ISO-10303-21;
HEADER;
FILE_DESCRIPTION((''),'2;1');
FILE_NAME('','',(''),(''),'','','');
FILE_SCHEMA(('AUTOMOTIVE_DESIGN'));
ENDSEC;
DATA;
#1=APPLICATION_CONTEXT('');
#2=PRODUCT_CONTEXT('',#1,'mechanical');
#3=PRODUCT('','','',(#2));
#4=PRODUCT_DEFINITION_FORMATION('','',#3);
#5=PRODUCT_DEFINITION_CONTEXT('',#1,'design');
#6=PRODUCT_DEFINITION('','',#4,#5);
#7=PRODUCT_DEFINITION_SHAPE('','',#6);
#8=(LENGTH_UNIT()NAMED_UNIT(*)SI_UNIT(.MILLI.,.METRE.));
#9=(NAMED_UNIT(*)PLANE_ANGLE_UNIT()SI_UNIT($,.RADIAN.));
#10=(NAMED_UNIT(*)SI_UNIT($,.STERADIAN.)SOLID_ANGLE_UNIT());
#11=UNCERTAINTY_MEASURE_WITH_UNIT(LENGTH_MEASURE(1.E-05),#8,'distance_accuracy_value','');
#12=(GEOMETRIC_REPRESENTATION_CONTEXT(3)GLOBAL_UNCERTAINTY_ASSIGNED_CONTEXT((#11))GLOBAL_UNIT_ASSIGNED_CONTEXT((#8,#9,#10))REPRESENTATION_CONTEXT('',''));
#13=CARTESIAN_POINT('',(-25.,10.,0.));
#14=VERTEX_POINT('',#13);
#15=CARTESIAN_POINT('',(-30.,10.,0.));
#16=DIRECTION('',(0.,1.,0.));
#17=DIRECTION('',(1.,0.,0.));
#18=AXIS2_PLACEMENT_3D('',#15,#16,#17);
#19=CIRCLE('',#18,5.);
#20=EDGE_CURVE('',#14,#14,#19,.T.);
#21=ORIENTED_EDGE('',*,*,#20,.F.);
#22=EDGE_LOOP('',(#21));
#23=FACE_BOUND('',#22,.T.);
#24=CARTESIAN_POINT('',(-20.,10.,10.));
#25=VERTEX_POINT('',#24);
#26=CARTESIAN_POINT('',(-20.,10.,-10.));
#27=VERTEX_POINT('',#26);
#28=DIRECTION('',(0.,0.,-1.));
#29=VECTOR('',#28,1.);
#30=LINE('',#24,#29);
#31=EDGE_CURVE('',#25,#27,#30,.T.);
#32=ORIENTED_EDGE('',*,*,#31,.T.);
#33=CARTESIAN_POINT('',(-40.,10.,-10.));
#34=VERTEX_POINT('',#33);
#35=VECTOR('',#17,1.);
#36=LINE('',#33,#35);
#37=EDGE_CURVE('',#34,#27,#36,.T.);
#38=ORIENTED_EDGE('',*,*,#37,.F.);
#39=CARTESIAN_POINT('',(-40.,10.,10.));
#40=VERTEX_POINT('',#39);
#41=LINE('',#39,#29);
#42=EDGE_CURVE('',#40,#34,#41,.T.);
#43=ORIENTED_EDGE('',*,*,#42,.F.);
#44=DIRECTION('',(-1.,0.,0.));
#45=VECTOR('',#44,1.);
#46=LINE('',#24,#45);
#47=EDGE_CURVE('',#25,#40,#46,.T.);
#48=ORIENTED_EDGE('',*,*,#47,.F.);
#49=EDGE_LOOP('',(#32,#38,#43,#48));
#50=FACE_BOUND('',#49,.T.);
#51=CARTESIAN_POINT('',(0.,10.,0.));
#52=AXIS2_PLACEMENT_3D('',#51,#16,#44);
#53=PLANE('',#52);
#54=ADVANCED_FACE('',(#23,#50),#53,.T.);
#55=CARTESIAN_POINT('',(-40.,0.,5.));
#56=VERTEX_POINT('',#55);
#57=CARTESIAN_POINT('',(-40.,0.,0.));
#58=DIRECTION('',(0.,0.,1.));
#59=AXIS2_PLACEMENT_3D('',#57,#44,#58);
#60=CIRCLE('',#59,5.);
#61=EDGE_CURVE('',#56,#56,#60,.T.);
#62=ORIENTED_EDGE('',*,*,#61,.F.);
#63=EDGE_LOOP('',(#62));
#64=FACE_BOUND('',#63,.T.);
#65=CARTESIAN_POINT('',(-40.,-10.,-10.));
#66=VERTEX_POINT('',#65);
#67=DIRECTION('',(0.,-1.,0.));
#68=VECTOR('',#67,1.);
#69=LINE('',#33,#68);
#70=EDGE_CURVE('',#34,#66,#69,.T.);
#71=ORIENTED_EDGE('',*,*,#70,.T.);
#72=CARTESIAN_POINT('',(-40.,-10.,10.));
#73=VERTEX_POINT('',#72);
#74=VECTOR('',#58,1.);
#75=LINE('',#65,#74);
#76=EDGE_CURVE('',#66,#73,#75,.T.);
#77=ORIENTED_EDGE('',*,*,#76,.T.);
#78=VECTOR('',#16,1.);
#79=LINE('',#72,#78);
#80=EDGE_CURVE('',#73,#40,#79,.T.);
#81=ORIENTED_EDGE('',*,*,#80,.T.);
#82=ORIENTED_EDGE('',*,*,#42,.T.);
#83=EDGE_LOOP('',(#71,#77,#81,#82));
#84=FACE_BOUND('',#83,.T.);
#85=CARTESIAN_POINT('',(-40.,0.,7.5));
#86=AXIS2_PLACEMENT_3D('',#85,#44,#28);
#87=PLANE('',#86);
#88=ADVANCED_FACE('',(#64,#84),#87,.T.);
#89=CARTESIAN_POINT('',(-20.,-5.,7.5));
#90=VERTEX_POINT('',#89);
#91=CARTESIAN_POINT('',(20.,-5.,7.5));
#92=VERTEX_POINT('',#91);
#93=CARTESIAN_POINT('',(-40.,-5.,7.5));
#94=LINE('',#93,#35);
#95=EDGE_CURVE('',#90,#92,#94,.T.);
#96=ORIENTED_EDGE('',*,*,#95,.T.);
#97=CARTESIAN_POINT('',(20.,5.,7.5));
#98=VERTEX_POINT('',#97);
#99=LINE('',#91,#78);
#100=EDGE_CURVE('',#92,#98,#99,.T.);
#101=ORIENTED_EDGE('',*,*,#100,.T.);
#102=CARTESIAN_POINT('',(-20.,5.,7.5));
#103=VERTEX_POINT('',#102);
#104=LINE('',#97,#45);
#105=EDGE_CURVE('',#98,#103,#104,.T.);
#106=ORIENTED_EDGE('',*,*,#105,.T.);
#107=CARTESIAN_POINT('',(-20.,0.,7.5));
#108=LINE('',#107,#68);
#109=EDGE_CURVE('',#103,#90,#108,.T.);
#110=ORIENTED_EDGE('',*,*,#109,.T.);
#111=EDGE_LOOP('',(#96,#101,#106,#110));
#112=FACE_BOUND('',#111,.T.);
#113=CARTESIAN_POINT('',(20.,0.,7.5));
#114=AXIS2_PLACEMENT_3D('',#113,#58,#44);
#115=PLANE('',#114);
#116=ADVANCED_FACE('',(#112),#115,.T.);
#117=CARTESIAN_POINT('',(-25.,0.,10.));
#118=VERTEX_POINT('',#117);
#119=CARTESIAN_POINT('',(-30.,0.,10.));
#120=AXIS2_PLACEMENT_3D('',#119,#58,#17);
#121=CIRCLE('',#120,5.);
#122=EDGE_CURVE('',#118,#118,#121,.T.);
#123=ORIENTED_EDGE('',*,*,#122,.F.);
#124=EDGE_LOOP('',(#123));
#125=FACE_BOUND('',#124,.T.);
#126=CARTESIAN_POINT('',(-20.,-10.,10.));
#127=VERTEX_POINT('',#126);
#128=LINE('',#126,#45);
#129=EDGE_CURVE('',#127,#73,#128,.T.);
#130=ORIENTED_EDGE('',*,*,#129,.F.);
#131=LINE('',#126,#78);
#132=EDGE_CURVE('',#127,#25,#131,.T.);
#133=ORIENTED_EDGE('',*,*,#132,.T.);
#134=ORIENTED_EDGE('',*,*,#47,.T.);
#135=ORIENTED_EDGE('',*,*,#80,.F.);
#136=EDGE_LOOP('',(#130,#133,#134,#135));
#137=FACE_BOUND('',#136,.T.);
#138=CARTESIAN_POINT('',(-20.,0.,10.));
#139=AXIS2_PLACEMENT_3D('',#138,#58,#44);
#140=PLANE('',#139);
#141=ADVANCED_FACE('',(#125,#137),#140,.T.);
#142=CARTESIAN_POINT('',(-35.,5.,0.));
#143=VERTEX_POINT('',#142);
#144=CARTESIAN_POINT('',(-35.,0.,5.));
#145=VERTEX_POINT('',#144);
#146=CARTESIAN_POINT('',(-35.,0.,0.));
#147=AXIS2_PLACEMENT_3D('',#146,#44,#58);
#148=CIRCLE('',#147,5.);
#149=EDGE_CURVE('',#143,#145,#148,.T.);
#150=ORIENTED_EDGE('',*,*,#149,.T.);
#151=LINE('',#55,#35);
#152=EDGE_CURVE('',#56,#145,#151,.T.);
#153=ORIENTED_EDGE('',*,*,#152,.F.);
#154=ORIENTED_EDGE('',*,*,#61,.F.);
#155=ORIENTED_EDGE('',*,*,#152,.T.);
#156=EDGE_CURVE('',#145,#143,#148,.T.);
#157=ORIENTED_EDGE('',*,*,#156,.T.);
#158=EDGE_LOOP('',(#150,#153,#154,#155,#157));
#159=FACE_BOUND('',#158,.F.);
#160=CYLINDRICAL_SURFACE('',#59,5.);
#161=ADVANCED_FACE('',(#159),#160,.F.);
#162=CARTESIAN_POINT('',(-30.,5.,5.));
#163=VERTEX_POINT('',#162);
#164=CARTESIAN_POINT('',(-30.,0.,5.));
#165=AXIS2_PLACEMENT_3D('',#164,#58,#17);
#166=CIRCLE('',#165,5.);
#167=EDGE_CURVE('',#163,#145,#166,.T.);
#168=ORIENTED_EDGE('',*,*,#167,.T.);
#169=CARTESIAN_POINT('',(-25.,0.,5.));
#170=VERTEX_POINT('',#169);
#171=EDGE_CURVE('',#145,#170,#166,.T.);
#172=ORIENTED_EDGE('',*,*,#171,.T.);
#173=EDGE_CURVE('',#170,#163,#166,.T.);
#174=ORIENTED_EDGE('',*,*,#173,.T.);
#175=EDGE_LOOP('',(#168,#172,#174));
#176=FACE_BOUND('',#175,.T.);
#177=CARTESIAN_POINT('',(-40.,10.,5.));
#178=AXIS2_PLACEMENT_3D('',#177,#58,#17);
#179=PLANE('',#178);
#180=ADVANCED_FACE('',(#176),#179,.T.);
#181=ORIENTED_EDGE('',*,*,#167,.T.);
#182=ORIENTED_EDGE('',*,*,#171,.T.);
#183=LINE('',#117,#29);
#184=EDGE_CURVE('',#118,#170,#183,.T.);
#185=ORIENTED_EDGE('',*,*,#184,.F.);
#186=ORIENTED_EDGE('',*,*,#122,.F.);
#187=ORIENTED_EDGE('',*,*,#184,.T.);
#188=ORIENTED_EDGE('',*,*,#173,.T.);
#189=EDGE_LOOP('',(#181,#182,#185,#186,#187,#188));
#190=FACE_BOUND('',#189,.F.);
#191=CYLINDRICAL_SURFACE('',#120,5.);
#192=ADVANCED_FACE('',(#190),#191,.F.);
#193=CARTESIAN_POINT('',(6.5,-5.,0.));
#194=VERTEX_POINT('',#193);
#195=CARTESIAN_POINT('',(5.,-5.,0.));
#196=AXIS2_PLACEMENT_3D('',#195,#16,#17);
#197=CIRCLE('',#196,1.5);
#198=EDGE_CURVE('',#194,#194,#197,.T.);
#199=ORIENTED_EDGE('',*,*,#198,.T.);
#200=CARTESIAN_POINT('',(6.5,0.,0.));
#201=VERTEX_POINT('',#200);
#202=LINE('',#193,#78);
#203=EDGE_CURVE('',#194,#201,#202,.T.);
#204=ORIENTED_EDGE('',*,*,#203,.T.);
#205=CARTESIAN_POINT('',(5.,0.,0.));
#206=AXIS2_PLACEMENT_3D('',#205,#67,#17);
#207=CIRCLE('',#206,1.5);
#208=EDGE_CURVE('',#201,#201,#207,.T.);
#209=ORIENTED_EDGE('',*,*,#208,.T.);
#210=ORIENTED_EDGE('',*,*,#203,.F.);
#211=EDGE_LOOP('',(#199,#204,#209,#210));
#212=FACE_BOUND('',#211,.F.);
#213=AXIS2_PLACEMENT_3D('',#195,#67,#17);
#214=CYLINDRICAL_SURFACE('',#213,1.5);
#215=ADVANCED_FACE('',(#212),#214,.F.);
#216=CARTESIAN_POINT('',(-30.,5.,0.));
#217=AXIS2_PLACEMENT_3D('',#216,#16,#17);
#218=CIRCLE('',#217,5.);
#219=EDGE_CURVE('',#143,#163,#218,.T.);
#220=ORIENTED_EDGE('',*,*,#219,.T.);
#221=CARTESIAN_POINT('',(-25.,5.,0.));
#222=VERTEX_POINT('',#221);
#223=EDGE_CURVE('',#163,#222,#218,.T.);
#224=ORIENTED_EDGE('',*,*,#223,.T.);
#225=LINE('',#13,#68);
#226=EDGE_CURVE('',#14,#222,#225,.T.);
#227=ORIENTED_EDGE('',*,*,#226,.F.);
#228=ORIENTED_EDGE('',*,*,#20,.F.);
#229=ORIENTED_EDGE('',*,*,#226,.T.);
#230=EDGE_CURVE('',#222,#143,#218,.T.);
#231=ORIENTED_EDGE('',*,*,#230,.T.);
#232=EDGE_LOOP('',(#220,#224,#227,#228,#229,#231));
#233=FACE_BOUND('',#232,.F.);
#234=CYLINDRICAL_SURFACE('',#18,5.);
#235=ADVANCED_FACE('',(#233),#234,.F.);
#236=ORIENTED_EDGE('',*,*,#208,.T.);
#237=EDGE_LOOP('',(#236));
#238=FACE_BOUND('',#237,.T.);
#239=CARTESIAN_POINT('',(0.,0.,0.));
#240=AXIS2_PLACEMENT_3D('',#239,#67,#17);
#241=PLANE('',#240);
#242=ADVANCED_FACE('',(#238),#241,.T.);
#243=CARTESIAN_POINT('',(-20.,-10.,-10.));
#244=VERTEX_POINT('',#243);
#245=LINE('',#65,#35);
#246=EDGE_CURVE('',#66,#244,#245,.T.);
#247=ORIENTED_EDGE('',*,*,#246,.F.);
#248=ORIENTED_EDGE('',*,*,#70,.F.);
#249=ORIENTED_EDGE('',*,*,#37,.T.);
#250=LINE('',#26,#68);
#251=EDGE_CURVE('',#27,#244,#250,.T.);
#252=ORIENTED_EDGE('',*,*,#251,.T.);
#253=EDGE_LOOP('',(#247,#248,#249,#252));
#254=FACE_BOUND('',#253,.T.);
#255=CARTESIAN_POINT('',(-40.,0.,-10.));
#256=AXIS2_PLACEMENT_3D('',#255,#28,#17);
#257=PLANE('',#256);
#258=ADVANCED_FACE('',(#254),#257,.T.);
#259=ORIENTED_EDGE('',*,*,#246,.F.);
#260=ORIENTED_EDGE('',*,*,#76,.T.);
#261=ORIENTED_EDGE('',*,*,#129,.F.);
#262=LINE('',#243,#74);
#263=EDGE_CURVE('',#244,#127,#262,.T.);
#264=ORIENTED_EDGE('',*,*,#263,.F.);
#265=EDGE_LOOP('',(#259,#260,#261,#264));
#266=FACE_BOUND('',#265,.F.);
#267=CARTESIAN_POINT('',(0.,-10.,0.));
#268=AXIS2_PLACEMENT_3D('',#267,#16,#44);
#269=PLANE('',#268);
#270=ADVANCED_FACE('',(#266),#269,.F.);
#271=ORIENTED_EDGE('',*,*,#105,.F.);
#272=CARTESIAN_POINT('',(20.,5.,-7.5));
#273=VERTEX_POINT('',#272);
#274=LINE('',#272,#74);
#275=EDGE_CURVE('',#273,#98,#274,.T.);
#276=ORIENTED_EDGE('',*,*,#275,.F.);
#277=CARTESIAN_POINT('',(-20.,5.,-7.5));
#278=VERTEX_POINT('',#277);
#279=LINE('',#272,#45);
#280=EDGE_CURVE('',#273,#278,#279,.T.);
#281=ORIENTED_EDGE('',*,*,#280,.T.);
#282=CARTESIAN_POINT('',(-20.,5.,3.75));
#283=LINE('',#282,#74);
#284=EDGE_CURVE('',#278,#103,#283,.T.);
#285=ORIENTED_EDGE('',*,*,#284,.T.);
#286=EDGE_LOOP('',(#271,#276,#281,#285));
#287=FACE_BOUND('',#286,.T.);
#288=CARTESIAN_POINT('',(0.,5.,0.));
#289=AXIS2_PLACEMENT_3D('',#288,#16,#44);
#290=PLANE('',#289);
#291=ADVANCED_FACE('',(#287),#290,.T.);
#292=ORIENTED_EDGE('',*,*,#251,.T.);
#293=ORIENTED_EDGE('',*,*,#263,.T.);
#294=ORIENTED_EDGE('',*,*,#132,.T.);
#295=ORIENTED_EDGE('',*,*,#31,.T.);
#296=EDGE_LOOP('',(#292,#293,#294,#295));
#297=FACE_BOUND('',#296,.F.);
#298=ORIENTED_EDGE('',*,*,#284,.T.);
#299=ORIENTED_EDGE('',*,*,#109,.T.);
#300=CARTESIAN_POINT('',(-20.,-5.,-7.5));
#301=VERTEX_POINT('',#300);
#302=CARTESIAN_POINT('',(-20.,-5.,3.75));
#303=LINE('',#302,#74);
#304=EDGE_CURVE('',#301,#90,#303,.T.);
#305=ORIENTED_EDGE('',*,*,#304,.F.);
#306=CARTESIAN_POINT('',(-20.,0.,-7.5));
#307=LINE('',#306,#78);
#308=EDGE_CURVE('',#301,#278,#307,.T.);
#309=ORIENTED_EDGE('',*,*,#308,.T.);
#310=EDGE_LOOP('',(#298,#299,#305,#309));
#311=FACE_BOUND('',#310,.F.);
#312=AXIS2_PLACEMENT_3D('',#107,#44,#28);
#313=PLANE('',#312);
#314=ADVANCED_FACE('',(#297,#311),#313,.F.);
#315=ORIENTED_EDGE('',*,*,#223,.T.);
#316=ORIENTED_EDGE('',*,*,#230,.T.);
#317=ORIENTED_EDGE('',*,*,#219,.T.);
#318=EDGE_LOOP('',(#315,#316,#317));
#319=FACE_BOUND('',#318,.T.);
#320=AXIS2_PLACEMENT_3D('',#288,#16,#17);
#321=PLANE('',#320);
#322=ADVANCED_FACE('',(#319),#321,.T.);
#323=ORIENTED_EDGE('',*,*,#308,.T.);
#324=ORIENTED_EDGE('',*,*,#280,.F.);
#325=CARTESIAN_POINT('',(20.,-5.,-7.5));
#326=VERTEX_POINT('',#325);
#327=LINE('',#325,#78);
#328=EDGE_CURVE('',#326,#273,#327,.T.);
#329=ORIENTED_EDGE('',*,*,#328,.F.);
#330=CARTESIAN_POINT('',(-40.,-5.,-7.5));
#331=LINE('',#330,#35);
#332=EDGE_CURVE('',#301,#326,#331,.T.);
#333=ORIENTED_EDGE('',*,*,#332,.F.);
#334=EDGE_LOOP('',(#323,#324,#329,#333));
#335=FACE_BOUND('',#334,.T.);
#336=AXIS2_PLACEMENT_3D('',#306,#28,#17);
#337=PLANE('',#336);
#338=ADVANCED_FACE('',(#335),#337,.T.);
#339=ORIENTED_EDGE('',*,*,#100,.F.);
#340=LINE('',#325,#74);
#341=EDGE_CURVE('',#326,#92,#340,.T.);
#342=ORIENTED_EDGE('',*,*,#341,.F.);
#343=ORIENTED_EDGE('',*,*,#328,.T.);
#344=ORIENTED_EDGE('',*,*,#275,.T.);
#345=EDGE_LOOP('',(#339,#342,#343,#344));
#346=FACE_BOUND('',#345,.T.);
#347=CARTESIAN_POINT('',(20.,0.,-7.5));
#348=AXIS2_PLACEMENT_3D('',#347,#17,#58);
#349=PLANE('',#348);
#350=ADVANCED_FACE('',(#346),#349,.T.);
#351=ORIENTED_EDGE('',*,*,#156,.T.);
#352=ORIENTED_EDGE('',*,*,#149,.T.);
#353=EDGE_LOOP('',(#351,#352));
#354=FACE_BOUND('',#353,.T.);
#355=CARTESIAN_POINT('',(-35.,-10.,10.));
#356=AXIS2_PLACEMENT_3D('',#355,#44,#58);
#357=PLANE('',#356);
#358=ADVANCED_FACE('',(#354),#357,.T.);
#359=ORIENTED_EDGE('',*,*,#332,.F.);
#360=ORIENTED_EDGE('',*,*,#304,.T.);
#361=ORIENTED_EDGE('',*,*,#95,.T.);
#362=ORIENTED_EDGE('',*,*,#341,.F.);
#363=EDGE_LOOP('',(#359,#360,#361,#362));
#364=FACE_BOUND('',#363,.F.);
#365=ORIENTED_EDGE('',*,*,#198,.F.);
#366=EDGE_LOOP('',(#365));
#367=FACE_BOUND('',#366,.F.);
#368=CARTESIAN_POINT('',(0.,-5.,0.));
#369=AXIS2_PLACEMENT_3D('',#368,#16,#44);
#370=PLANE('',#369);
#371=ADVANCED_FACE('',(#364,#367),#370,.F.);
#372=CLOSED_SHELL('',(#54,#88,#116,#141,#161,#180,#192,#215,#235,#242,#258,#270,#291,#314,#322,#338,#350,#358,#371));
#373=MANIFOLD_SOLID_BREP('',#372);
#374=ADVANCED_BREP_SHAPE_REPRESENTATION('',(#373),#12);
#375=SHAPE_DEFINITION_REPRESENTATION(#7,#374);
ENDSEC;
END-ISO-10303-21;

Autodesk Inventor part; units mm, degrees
ref_plane "YZ Plane" through (0, 0, 0) normal (1, 0, 0) x (0, 1, 0)
ref_plane "XZ Plane" through (0, 0, 0) normal (0, 1, 0) x (-1, 0, 0)
ref_plane "XY Plane" through (0, 0, 0) normal (0, 0, 1) x (1, 0, 0)
sketch "Sketch1" plane through (0, 0, 0) normal (0, 1, 0) x (-1, 0, 0)
  line L0 (-20, 7.5) -> (20, 7.5)
  line L1 (20, 7.5) -> (20, -7.5)
  line L2 (20, -7.5) -> (-20, -7.5)
  line L3 (-20, -7.5) -> (-20, 7.5)
  line L4 (-20, 7.5) -> (20, -7.5) construction
  line L5 (20, 7.5) -> (-20, -7.5) construction
  line L6 (20, 7.5) -> (40, 7.5)
  line L7 (40, 7.5) -> (40, -7.5)
  line L8 (40, -7.5) -> (20, -7.5)
  line L9 (20, -7.5) -> (20, 7.5)
  line L10 (20, 10) -> (40, 10)
  line L11 (40, 10) -> (40, -10)
  line L12 (40, -10) -> (20, -10)
  line L13 (20, -10) -> (20, 10)
  line L14 (20, 10) -> (40, -10) construction
  line L15 (40, 10) -> (20, -10) construction
  point P0 (0, 0)
  point P1 (30, 0)
  point P2 (20, -7.5)
  point P3 (40, -7.5)
  point P4 (20, 7.5)
  dimension "d0" = 40
  dimension "d1" = 15
  dimension "d2" = 20
  dimension "d3" = 20
  dimension "d4" = 20
extrude "Extrusion1" add sketch "Sketch1" along normal mid plane 10 contours L0 L1 L2 L3 | L6 L7 L8 L1
extrude "Extrusion2" add sketch "Sketch1" along normal mid plane 20 contours L6 L7 L8 L1 | L13 L10 L11 L6 | L8 L11 L12 L13
sketch "Sketch3" plane through (-40, -10, 10) normal (-1, 0, 0) x (0, 0, 1)
  circle A0 centre (-10, 10) radius 5
  dimension "d12" = 10
sketch "Sketch4" plane through (-40, 10, 10) normal (0, 0, 1) x (1, 0, 0)
  line L0 (20, 0) -> (20, -20) projected
  line L1 (0, 0) -> (20, 0) projected
  line L2 (0, -20) -> (0, 0) projected
  line L3 (20, -20) -> (0, -20) projected
  circle A0 centre (10, -10) radius 5
  point P0 (40, -10)
  dimension "d13" = 10
sketch "Sketch2" plane through (0, 10, 0) normal (0, 1, 0) x (1, 0, 0)
  line L0 (-20, -10) -> (-20, 10) projected
  line L1 (-20, 10) -> (-40, 10) projected
  line L2 (-40, 10) -> (-40, -10) projected
  line L3 (-40, -10) -> (-20, -10) projected
  circle A0 centre (-30, 0) radius 5
  point P0 (0, 0)
  dimension "d9" = 10
extrude "Extrusion3" cut sketch "Sketch2" against normal blind 5 contours A0
extrude "Extrusion4" cut sketch "Sketch3" against normal blind 5
extrude "Extrusion5" cut sketch "Sketch4" against normal blind 5 contours A0
sketch "Sketch5" plane through (0, -5, 0) normal (0, -1, 0) x (1, 0, 0)
  line L0 (-20, 7.5) -> (-20, -7.5) projected
  line L1 (-20, -7.5) -> (20, -7.5) projected
  line L2 (20, -7.5) -> (20, 7.5) projected
  line L3 (20, 7.5) -> (-20, 7.5) projected
  line L4 (20, 0) -> (-20, 0)
  circle A0 centre (5, 0) radius 1.5
  point P0 (0, 0)
  dimension "d18" = 3
  dimension "d19" = 15
extrude "Extrusion6" cut sketch "Sketch5" against normal blind 5 contours A0 L4 | L4 A0
properties part number "calibration_tool"
